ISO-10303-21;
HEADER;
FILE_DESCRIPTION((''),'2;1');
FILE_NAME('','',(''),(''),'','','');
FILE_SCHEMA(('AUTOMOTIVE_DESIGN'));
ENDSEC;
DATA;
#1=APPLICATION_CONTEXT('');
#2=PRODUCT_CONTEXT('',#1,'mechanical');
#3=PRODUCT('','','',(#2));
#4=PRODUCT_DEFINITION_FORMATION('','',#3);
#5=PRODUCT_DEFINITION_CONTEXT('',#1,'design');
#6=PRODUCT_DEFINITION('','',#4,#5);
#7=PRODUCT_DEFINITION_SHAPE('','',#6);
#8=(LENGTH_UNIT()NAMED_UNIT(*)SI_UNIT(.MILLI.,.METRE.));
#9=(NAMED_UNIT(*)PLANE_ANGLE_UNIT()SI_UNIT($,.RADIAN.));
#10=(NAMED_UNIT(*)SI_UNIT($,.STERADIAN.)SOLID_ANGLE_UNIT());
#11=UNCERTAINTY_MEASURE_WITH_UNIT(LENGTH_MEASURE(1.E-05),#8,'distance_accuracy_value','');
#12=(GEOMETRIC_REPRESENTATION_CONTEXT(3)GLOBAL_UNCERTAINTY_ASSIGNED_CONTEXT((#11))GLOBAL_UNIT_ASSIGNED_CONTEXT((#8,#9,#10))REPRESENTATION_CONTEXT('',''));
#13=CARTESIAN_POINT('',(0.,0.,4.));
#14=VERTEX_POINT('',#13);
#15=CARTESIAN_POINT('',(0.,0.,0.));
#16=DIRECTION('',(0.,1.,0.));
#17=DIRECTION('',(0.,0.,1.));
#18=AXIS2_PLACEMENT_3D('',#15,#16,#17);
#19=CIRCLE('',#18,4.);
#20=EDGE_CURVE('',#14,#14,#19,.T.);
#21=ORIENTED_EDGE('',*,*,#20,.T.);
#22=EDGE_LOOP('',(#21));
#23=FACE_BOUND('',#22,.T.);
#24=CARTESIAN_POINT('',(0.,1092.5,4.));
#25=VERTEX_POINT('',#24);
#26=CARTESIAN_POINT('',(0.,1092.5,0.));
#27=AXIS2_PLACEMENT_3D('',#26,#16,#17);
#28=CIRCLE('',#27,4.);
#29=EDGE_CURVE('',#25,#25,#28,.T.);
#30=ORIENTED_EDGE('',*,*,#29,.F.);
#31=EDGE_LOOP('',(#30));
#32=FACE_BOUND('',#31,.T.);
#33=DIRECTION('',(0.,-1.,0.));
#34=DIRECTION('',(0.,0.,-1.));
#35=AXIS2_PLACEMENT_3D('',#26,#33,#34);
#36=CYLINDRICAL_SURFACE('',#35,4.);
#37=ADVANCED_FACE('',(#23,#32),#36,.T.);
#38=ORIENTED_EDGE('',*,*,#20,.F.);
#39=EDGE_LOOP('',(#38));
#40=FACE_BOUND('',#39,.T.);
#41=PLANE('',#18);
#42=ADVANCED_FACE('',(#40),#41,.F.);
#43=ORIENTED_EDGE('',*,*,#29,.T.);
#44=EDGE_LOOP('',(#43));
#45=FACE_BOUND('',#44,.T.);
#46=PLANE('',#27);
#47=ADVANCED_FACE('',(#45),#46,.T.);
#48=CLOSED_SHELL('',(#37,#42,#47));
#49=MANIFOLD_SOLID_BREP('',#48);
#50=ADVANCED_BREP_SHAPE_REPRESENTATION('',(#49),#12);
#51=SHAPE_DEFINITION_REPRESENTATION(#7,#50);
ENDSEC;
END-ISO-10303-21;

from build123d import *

# Parameters (mm, degrees)
SKETCH_1_R      = 4
EXTRUDE_1_DEPTH = 1092.5


with BuildPart() as part:
    # Эскиз1 → Бобышка-Вытянуть1 (new body)
    with BuildSketch(Plane(origin=(0, 0, 0), x_dir=(1, 0, 0), z_dir=(0, 1, 0))):
        Circle(SKETCH_1_R)
    extrude(amount=EXTRUDE_1_DEPTH)


solid = part.part
